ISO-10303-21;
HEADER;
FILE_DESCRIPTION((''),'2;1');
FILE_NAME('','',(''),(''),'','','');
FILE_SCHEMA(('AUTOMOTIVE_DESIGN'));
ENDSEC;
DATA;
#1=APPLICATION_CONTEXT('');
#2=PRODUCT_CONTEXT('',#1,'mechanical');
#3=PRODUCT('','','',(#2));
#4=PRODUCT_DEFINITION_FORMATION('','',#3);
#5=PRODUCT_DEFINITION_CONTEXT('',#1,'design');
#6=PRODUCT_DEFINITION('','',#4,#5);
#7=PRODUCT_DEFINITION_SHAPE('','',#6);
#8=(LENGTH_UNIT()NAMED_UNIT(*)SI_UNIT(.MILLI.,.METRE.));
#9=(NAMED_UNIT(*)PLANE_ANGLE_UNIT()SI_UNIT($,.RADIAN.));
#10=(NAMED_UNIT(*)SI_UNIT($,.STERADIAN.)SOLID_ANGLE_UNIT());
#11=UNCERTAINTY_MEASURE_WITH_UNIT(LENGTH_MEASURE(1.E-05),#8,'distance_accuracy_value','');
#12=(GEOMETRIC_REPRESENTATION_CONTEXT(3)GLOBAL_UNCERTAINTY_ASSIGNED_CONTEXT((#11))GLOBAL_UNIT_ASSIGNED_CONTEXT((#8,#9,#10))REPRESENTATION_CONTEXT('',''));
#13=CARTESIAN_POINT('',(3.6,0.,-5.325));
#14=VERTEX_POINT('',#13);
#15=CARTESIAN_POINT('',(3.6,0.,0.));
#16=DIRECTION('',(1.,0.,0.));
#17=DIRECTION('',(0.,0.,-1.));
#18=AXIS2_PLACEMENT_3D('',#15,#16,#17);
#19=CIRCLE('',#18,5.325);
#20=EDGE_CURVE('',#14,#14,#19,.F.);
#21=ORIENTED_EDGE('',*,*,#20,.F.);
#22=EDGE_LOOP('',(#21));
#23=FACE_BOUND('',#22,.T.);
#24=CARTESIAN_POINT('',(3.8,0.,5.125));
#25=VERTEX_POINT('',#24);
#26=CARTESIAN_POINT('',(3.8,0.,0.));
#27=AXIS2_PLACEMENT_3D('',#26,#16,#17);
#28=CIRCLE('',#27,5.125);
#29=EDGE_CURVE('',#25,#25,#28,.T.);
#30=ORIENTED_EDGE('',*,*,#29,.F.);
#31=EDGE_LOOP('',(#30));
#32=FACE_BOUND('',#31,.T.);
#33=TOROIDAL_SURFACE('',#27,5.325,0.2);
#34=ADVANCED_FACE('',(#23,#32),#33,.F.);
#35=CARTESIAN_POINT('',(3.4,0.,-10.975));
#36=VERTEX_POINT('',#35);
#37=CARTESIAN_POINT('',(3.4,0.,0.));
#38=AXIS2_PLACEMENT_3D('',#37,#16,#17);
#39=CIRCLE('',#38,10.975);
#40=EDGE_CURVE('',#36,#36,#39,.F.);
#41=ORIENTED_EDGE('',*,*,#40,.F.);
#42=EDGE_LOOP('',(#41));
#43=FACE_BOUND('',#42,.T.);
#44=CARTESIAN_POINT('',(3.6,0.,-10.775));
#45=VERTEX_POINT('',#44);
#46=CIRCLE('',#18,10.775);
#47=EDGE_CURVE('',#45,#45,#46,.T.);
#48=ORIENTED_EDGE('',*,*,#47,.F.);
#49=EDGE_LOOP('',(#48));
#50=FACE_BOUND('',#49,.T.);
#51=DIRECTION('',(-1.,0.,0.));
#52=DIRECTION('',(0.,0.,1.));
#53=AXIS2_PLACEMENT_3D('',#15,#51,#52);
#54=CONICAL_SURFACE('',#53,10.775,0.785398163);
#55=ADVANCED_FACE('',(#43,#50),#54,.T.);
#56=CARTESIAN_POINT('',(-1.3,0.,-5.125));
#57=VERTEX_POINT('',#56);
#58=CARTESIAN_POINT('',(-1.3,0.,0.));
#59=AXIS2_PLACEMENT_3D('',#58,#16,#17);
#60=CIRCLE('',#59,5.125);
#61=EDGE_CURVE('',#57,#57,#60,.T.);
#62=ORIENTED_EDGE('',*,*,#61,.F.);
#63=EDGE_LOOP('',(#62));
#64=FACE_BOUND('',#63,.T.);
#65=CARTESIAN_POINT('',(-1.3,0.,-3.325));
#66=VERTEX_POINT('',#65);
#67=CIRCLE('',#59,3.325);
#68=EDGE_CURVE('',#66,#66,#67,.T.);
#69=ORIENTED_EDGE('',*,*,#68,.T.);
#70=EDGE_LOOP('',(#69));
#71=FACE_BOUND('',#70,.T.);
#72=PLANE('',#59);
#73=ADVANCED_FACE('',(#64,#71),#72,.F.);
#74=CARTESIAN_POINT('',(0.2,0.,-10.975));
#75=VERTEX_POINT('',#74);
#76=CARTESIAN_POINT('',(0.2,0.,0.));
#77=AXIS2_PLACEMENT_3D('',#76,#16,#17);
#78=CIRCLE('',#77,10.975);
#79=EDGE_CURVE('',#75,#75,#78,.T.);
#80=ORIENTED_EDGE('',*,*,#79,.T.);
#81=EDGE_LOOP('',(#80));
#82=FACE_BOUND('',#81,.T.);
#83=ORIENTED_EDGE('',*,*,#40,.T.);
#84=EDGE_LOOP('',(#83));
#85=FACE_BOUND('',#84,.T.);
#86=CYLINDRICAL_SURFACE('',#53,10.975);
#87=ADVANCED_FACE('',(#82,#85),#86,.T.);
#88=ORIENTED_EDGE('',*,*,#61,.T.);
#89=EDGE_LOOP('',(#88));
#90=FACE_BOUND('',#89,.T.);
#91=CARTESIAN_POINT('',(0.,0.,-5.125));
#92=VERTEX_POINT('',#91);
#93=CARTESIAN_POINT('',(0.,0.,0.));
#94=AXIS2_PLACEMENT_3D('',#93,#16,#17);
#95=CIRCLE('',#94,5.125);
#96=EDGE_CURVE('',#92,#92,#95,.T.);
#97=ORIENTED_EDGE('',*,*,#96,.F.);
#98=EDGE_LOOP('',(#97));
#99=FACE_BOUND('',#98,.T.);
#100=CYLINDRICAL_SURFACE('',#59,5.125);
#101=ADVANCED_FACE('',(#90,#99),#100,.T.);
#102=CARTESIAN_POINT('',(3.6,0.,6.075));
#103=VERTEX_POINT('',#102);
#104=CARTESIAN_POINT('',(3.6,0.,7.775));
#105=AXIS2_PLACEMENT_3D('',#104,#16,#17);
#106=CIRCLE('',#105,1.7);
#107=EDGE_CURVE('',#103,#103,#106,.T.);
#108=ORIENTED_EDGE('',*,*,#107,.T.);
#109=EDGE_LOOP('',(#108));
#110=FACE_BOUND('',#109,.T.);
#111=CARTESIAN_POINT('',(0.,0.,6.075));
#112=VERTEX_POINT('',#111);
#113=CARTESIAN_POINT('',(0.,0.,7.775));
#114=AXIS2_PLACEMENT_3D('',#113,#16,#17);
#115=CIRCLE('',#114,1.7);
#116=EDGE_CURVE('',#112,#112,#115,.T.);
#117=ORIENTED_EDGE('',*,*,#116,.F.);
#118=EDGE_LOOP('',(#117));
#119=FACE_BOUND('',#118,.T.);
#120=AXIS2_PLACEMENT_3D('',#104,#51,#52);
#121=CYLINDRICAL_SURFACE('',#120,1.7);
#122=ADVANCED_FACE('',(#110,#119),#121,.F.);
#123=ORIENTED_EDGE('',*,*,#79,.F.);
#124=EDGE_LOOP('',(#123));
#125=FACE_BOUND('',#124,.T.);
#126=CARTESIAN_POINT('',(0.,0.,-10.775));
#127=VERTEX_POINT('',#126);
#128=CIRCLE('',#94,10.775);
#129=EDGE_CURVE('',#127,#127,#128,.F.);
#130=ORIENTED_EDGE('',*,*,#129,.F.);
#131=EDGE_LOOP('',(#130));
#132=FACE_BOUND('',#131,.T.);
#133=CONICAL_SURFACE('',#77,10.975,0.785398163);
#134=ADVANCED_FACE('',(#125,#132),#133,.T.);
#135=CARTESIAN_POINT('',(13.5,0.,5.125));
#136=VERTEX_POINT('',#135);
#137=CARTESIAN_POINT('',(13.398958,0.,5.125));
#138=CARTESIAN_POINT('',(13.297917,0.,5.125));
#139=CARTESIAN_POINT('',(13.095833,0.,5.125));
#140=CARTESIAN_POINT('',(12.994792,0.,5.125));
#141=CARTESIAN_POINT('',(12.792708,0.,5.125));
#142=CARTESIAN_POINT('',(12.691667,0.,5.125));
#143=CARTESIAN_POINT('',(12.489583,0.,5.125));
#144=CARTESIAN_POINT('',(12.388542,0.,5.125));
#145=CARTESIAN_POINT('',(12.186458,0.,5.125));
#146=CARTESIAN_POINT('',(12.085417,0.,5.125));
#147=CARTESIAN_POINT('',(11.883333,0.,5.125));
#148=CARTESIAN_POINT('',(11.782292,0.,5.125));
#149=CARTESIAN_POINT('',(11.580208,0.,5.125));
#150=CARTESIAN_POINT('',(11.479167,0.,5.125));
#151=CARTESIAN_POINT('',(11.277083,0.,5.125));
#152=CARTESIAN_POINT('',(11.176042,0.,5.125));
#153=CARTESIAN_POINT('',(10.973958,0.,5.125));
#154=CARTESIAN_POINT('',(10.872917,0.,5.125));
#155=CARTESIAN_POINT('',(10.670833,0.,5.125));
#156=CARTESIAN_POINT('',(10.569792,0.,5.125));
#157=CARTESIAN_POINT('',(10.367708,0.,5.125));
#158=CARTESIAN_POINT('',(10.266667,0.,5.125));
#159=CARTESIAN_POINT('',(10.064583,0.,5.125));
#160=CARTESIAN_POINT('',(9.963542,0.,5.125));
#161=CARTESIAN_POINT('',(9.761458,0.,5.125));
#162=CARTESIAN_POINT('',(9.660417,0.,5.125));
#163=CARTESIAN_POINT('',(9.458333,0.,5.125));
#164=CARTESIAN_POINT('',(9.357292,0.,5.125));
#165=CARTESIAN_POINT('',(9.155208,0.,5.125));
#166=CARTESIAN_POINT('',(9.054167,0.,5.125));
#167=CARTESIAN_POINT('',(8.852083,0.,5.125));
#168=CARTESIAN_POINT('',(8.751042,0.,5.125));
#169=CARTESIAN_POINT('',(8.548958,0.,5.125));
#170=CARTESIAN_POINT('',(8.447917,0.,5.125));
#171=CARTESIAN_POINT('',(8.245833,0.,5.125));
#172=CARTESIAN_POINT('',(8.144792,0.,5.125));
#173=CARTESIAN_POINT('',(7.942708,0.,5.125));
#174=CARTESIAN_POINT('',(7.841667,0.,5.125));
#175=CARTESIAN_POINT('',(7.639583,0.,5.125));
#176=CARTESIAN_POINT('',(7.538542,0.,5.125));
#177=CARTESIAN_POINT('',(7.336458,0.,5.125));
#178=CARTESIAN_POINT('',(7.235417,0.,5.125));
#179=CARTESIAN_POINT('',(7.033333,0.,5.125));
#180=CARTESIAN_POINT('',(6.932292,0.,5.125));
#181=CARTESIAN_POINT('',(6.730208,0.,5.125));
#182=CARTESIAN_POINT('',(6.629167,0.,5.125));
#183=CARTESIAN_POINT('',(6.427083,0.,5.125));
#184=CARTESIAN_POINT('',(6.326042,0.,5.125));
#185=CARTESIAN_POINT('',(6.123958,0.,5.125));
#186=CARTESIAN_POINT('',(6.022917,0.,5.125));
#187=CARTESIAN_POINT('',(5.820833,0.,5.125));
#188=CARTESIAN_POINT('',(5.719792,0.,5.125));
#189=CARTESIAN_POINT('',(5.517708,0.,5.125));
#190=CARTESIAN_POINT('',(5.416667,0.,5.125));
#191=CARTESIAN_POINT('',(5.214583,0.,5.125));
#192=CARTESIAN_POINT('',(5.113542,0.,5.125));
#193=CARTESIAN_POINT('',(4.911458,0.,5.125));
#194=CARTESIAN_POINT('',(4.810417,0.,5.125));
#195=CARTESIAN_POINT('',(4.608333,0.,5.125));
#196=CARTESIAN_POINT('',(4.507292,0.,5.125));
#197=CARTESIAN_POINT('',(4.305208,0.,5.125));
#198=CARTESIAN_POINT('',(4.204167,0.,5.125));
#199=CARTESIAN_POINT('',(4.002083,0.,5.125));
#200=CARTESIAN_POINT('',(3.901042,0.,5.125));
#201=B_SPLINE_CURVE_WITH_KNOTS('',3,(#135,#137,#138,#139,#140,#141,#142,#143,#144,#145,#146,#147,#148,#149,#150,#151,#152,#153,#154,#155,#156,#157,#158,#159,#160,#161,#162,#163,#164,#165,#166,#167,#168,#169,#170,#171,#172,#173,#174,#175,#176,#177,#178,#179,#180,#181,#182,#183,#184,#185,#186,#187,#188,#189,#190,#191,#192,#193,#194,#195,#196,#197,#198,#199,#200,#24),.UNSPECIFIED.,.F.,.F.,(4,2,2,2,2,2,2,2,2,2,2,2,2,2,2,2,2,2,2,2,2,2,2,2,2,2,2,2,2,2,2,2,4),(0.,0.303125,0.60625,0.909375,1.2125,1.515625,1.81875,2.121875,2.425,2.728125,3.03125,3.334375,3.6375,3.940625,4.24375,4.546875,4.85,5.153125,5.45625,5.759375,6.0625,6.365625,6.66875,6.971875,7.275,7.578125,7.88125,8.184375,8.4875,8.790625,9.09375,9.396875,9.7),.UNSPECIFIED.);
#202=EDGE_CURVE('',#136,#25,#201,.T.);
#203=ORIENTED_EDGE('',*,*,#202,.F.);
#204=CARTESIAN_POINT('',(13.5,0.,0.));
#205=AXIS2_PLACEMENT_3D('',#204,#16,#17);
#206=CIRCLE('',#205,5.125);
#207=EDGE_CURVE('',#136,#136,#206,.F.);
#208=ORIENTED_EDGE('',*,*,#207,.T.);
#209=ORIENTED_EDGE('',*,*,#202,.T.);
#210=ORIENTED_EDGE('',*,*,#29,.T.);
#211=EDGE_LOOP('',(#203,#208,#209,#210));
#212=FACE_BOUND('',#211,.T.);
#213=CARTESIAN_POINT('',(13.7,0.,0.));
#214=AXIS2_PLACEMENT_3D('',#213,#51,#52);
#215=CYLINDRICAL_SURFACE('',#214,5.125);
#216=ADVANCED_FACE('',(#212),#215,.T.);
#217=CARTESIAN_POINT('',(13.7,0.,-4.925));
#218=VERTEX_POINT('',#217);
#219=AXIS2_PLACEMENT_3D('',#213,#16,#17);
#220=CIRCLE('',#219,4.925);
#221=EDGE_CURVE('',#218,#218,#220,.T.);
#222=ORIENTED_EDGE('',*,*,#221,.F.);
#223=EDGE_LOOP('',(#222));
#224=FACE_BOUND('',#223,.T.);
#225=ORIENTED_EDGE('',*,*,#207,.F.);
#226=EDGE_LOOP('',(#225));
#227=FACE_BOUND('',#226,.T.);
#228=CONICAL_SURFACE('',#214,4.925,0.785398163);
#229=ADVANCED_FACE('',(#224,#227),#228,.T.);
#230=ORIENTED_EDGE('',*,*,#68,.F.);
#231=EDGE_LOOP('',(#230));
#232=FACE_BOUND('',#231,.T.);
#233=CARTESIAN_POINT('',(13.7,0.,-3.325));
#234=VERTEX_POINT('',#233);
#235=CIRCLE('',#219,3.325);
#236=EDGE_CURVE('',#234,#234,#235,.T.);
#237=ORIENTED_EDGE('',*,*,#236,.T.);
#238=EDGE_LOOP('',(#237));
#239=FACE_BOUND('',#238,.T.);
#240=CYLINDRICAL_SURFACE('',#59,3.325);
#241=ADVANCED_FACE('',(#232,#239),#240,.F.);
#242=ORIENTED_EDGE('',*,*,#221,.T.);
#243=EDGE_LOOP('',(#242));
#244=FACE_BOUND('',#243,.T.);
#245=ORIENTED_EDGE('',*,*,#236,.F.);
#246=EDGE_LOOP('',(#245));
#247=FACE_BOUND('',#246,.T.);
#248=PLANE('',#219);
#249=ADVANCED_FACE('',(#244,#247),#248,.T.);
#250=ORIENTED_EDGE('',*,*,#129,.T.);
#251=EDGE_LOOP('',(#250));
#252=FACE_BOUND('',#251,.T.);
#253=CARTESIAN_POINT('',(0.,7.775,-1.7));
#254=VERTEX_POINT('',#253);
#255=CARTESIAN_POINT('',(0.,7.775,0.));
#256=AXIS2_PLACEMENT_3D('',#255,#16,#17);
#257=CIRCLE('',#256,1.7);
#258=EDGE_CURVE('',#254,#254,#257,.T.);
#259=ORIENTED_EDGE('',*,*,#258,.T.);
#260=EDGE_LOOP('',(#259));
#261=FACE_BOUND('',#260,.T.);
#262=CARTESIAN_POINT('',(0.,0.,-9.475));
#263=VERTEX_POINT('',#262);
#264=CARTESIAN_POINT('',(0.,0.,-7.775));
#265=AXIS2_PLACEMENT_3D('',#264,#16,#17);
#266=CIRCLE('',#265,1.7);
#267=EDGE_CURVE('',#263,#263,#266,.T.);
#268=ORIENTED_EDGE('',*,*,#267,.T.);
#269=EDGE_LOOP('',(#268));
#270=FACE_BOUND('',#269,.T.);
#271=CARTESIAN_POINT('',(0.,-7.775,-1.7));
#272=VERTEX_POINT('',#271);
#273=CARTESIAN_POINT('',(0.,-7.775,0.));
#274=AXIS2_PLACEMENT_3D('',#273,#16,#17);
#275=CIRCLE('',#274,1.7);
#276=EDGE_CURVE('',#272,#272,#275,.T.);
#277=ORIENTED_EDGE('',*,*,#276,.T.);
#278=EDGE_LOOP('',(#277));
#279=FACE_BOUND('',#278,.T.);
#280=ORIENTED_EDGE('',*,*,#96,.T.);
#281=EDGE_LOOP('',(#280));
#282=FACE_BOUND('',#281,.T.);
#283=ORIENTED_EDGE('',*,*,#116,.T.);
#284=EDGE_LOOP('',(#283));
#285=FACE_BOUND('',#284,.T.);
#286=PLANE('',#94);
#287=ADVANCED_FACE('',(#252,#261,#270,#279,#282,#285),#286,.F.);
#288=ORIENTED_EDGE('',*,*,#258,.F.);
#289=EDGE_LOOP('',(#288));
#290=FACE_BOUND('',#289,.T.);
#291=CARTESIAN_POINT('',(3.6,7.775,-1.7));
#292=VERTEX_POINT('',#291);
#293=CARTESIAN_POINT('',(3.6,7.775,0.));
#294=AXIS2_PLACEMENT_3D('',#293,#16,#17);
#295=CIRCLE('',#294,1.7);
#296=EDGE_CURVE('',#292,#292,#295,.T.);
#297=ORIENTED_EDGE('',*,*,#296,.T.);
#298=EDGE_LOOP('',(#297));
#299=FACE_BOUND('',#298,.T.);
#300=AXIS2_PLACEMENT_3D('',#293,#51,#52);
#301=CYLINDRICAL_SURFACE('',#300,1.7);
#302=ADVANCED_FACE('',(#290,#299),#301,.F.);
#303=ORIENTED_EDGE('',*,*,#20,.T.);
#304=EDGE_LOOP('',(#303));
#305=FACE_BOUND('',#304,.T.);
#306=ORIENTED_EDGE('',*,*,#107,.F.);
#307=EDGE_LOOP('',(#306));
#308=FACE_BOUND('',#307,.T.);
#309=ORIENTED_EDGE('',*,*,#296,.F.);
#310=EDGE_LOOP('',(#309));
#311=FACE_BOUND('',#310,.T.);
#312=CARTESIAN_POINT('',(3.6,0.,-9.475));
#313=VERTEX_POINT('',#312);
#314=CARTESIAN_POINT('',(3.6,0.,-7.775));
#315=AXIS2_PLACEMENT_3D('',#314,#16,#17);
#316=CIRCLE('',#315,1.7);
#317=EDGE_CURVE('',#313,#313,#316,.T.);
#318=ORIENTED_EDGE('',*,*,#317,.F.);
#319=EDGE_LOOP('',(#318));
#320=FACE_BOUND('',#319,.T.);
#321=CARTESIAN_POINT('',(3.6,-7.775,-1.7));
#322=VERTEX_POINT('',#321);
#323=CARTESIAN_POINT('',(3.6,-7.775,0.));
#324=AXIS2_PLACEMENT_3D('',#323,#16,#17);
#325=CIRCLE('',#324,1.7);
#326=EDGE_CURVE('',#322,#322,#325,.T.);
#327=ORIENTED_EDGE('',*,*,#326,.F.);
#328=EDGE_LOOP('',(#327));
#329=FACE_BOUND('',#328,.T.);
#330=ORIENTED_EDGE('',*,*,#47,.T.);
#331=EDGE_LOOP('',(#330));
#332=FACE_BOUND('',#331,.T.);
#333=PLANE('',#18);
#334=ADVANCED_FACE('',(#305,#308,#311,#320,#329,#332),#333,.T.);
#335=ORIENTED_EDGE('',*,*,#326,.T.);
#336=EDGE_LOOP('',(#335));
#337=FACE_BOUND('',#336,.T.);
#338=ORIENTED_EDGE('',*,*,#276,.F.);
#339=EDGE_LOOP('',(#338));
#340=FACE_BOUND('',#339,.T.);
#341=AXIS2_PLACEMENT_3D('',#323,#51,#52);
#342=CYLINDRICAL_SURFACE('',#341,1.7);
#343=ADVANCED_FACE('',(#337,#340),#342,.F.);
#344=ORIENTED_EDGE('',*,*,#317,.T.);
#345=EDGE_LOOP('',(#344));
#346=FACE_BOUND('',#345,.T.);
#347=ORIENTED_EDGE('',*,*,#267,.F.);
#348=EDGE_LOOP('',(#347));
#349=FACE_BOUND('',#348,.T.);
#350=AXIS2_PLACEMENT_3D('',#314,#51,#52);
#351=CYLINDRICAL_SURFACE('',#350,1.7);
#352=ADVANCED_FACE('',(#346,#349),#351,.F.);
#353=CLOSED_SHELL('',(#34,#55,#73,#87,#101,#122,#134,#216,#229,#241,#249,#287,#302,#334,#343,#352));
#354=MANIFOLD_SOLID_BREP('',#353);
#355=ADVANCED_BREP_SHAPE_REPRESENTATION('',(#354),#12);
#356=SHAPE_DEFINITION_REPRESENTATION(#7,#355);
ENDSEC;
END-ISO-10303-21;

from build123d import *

# Parameters (mm, degrees)
SKETCH1_R                = 10.975
SKETCH1_R_2              = 1.7
BOSS_EXTRUDE1_DEPTH      = 3.6
SKETCH2_R                = 5.125
BOSS_EXTRUDE2_DEPTH      = 13.7
BOSS_EXTRUDE3_DEPTH      = 13.7
BOSS_EXTRUDE3_DEPTH_BACK = 1.3
SKETCH2_2_R              = 5.125
CUT_EXTRUDE1_DEPTH       = 21.702445508
CUT_EXTRUDE1_DEPTH_BACK  = 21.702445508
SKETCH3_R                = 3.325
FILLET1_R                = 0.2
CHAMFER1_SIZE            = 0.2


with BuildPart() as part:
    # Sketch1 → Boss-Extrude1 (new body)
    with BuildSketch(Plane(origin=(0, 0, 0), x_dir=(0, 0, -1), z_dir=(1, 0, 0))):
        Circle(SKETCH1_R)
        with Locations((0, 7.775)):
            Circle(SKETCH1_R_2, mode=Mode.SUBTRACT)
        with Locations((7.775, 0)):
            Circle(SKETCH1_R_2, mode=Mode.SUBTRACT)
        with Locations((0, -7.775)):
            Circle(SKETCH1_R_2, mode=Mode.SUBTRACT)
        with Locations((-7.775, 0)):
            Circle(SKETCH1_R_2, mode=Mode.SUBTRACT)
    extrude(amount=BOSS_EXTRUDE1_DEPTH)

    # Sketch2 → Boss-Extrude2 (add)
    with BuildSketch(Plane(origin=(0, 0, 0), x_dir=(0, 0, -1), z_dir=(1, 0, 0))):
        Circle(SKETCH2_R)
    extrude(amount=BOSS_EXTRUDE2_DEPTH)

    # Sketch2<2> → Boss-Extrude3 (add, two sides: drawn at the far end of the back side and taken through both)
    with BuildSketch(Plane(origin=(0, 0, 0), x_dir=(0, 0, -1), z_dir=(1, 0, 0)).offset(-BOSS_EXTRUDE3_DEPTH_BACK)):
        Circle(SKETCH2_2_R)
    extrude(amount=BOSS_EXTRUDE3_DEPTH + BOSS_EXTRUDE3_DEPTH_BACK)

    # Sketch3 → Cut-Extrude1 (cut, two sides: drawn at the far end of the back side and taken through both)
    with BuildSketch(Plane(origin=(0, 0, 0), x_dir=(0, 0, -1), z_dir=(1, 0, 0)).offset(-CUT_EXTRUDE1_DEPTH_BACK)):
        Circle(SKETCH3_R)
    extrude(amount=CUT_EXTRUDE1_DEPTH + CUT_EXTRUDE1_DEPTH_BACK, mode=Mode.SUBTRACT)

    # Fillet1
    fillet1_edges = [part.edges().sort_by_distance(p)[0] for p in [
        (3.6, 0, 5.125),
    ]]
    fillet(fillet1_edges, radius=FILLET1_R)

    # Chamfer1
    chamfer1_edges = [part.edges().sort_by_distance(p)[0] for p in [
        (13.7, 0, 5.125),
        (0, 0, 10.975),
        (3.6, 0, 10.975),
    ]]
    chamfer(chamfer1_edges, length=CHAMFER1_SIZE)


solid = part.part
